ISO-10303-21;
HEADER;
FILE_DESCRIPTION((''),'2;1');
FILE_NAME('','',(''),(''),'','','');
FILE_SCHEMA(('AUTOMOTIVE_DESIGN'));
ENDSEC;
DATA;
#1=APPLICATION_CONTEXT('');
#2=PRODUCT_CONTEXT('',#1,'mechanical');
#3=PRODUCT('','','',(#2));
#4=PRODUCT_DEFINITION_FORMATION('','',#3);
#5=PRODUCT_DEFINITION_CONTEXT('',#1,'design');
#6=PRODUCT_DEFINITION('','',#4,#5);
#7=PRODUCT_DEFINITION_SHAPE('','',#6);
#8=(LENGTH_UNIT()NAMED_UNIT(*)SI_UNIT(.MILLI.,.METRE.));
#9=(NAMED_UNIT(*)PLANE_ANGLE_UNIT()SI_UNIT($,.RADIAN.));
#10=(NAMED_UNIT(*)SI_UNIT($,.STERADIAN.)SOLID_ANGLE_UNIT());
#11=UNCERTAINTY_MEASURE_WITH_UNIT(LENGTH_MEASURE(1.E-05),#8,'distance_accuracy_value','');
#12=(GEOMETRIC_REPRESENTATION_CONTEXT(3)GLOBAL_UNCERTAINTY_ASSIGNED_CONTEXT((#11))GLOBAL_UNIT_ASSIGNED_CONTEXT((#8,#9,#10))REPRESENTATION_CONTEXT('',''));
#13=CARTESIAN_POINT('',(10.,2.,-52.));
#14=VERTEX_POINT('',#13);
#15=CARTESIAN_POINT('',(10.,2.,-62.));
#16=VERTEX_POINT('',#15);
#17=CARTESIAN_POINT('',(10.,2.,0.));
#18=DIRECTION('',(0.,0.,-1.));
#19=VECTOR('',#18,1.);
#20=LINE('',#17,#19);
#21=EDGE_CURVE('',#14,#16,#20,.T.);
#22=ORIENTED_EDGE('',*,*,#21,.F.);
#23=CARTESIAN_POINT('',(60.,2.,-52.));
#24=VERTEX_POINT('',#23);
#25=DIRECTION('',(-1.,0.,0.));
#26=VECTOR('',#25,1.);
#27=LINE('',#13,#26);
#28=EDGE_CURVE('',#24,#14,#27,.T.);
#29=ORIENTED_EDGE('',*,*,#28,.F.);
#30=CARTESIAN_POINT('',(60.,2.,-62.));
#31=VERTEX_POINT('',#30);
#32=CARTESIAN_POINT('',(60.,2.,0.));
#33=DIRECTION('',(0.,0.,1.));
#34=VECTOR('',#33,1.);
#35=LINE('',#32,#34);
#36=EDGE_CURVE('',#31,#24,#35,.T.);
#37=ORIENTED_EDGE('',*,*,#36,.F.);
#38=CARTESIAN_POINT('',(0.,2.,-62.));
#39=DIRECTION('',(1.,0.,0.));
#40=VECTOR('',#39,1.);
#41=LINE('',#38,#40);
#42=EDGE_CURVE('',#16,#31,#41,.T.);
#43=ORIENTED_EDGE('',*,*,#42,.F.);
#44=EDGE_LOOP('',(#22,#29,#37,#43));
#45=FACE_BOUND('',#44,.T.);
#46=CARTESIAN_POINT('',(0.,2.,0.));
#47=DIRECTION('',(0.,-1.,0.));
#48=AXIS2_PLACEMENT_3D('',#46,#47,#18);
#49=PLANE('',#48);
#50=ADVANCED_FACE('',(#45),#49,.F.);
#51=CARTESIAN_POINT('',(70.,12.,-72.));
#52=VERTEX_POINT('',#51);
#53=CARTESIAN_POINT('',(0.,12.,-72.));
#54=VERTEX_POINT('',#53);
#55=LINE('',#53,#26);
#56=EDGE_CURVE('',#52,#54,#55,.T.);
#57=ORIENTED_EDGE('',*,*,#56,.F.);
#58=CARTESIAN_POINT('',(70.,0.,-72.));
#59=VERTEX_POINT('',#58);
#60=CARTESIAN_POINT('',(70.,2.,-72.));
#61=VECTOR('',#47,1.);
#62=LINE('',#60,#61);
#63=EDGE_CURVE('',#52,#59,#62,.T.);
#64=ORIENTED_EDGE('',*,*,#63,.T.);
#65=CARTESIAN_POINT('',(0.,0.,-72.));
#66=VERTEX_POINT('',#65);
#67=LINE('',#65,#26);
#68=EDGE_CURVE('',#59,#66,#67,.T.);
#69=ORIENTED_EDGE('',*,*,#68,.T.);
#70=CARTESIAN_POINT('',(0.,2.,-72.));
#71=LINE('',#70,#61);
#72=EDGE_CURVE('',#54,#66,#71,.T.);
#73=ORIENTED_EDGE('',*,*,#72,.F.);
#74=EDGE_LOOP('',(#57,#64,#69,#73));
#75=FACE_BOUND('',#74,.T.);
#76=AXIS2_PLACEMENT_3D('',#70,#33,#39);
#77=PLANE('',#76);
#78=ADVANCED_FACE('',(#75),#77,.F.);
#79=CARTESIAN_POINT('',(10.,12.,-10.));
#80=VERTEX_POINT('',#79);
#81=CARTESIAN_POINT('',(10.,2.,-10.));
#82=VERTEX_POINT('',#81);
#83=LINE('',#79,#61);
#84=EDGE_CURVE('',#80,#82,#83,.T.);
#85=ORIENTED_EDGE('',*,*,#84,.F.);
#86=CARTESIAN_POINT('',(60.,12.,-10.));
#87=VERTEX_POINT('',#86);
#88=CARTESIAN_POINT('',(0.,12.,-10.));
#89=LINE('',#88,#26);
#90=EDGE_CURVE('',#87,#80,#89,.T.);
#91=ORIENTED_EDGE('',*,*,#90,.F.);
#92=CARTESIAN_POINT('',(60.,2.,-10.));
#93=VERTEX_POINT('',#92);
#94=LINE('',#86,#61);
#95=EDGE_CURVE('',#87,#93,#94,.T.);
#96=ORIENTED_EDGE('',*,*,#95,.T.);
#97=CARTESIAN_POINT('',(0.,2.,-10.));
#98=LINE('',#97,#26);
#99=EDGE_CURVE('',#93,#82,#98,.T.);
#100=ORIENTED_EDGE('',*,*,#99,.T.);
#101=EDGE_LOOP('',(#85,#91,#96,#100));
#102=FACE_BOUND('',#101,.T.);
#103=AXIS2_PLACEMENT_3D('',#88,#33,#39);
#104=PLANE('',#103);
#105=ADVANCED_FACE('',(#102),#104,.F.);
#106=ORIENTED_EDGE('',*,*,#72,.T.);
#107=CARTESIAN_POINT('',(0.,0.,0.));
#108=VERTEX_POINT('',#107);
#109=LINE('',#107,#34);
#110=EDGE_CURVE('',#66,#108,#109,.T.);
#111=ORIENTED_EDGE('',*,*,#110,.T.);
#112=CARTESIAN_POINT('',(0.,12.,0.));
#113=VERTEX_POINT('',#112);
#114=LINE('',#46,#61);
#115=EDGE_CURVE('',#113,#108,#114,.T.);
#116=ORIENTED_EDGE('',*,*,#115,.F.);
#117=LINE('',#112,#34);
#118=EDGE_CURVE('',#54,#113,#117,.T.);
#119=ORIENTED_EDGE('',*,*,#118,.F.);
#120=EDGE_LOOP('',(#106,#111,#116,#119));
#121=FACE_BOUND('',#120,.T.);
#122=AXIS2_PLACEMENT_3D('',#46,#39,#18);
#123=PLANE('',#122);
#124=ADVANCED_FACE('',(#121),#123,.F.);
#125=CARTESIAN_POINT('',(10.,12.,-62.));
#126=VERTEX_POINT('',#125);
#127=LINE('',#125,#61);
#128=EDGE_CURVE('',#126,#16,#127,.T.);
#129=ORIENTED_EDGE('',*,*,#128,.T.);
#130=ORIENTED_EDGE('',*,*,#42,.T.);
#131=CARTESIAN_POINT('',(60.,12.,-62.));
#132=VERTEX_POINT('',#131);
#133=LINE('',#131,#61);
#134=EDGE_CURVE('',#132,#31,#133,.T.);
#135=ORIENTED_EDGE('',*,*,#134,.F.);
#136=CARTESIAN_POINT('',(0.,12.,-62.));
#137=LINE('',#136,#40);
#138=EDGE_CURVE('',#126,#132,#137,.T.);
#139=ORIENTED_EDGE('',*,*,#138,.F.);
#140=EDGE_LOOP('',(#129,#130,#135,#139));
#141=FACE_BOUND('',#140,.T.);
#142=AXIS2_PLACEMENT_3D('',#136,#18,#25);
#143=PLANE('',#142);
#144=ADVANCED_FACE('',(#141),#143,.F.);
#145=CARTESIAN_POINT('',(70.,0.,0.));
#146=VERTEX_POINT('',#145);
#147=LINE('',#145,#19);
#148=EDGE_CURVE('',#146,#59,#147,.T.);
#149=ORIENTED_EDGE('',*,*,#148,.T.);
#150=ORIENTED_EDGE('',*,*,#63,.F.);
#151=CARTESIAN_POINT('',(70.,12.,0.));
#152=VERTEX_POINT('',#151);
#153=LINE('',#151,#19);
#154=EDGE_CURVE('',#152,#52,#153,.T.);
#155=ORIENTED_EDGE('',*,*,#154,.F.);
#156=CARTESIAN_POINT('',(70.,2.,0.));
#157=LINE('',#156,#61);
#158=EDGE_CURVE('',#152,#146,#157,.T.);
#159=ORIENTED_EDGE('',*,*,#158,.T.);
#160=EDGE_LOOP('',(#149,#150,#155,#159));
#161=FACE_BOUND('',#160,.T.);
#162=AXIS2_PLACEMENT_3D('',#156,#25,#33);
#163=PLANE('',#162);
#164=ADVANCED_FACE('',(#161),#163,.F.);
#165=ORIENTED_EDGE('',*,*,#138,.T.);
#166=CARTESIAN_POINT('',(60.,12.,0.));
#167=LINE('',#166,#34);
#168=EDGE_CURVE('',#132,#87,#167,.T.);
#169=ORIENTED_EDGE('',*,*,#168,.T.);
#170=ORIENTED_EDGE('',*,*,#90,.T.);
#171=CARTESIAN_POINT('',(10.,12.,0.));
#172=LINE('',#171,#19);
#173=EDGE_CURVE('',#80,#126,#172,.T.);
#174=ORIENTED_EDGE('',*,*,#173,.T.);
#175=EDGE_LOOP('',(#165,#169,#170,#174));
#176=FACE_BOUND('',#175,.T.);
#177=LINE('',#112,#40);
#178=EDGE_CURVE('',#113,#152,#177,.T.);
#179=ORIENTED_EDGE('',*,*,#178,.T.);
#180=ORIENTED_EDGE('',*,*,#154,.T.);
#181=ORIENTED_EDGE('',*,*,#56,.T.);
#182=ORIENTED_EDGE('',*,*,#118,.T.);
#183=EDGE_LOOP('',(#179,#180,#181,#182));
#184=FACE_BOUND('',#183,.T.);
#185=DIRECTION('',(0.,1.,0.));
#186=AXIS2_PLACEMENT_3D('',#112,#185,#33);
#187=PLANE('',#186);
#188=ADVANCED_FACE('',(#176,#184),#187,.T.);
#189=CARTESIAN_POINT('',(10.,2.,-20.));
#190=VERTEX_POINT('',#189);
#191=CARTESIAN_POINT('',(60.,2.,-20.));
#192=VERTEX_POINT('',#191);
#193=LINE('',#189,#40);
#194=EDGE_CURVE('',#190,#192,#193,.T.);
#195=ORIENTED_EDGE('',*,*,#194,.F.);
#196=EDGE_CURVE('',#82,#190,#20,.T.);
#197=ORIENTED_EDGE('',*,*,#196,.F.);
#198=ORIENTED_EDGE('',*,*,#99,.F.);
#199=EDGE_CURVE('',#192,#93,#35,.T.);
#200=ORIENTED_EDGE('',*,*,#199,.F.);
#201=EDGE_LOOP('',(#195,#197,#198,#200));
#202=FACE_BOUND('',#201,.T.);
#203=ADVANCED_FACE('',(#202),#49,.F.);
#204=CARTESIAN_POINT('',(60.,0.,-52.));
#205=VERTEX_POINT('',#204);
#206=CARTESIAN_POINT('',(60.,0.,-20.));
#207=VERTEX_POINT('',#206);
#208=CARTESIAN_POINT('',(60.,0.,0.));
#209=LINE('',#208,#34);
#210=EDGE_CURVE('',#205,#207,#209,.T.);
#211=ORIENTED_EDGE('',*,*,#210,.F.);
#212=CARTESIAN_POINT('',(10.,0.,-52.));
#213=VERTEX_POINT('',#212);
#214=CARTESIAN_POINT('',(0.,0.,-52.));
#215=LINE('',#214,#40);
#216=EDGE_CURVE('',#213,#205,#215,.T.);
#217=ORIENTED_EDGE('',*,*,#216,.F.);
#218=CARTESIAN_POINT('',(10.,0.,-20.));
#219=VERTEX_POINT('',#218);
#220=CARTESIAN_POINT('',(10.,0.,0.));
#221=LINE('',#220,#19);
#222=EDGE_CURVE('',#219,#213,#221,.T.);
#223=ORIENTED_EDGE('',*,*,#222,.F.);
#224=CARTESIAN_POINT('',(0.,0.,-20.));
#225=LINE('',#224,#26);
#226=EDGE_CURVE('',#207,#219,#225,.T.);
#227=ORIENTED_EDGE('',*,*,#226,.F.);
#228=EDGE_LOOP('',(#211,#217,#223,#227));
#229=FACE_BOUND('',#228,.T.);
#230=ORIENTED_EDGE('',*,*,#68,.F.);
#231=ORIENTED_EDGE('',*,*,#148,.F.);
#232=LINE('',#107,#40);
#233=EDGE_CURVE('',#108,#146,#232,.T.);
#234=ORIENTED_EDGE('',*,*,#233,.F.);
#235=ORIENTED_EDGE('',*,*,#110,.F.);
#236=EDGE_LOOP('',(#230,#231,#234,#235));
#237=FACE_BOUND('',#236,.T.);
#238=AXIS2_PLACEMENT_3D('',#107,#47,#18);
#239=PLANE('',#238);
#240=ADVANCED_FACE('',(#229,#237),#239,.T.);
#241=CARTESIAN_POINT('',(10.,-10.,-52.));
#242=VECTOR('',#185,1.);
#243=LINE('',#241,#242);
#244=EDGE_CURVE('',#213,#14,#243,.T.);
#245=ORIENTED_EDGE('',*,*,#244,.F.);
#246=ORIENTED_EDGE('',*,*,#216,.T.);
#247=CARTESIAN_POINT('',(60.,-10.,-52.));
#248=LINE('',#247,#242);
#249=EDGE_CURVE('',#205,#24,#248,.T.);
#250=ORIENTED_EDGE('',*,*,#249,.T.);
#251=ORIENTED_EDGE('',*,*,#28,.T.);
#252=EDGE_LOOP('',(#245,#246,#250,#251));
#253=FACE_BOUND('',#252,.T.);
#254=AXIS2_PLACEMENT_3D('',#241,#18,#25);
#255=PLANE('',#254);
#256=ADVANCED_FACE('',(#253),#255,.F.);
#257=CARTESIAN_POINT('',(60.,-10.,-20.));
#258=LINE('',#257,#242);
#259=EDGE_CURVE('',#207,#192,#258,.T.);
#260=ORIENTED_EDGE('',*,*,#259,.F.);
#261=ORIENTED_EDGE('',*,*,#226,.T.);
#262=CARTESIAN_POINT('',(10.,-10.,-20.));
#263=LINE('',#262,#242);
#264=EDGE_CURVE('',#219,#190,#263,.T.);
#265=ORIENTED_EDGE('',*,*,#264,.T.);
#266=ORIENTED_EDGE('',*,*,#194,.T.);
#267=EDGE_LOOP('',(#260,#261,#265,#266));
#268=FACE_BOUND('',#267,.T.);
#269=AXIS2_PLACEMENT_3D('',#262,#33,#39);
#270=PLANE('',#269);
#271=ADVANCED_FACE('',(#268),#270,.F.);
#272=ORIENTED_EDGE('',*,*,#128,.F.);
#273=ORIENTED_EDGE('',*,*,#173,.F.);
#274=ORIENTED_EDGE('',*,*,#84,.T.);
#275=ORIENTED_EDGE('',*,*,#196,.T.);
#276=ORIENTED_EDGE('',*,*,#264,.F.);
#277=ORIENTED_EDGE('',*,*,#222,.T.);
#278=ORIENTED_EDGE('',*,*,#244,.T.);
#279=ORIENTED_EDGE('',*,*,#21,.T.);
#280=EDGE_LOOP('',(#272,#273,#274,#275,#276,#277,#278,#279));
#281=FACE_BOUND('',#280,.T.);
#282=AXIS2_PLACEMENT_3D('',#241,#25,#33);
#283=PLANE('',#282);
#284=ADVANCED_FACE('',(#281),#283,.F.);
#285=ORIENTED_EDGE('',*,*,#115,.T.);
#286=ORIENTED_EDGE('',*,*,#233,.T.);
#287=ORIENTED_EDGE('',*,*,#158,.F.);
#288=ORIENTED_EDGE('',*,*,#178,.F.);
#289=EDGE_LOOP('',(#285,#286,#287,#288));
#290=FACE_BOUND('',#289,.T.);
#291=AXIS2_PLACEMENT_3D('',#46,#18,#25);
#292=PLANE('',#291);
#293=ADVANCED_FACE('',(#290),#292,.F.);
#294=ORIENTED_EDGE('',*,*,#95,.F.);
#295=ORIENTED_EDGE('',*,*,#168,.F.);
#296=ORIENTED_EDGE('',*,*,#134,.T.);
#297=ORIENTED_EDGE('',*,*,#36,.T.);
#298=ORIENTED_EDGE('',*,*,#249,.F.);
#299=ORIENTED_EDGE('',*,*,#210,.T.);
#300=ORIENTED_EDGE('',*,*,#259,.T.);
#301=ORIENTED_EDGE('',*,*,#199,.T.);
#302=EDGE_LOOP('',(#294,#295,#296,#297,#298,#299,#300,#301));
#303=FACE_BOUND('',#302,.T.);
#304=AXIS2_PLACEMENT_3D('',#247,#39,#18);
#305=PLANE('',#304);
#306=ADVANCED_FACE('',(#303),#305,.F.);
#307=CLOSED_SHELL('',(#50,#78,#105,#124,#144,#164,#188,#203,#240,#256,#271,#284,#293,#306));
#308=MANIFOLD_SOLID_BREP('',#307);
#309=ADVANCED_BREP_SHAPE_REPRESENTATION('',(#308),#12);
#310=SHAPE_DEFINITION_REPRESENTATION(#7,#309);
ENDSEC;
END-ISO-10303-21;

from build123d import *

# Parameters (mm, degrees)
SKETCH1_W           = 70
SKETCH1_H           = 72
BOSS_EXTRUDE1_DEPTH = 2
SKETCH2_W           = 50
SKETCH2_H           = 32
CUT_EXTRUDE1_DEPTH  = 12
SKETCH3_W           = 10
SKETCH3_H           = 52
SKETCH3_H_2         = 10
SKETCH3_W_2         = 50
BOSS_EXTRUDE2_DEPTH = 10


with BuildPart() as part:
    # Sketch1 → Boss-Extrude1 (new body)
    with BuildSketch(Plane(origin=(0, 0, 0), x_dir=(1, 0, 0), z_dir=(0, 1, 0))):
        with Locations((35, 36)):
            Rectangle(SKETCH1_W, SKETCH1_H)
    extrude(amount=BOSS_EXTRUDE1_DEPTH)

    # Sketch2 → Cut-Extrude1 (cut)
    with BuildSketch(Plane(origin=(0, 2, 0), x_dir=(1, 0, 0), z_dir=(0, 1, 0))):
        with Locations((35, 36)):
            Rectangle(SKETCH2_W, SKETCH2_H)
    extrude(amount=-CUT_EXTRUDE1_DEPTH, mode=Mode.SUBTRACT)

    # Sketch3 → Boss-Extrude2 (add)
    with BuildSketch(Plane(origin=(0, 2, 0), x_dir=(1, 0, 0), z_dir=(0, 1, 0))):
        with Locations((5, 36)):
            Rectangle(SKETCH3_W, SKETCH3_H)
        with Locations((5, 67)):
            Rectangle(SKETCH3_W, SKETCH3_H_2)
        with Locations((35, 67)):
            Rectangle(SKETCH3_W_2, SKETCH3_H_2)
        with Locations((5, 5)):
            Rectangle(SKETCH3_W, SKETCH3_H_2)
        with Locations((35, 5)):
            Rectangle(SKETCH3_W_2, SKETCH3_H_2)
        with Locations((65, 5)):
            Rectangle(SKETCH3_W, SKETCH3_H_2)
        with Locations((65, 36)):
            Rectangle(SKETCH3_W, SKETCH3_H)
        with Locations((65, 67)):
            Rectangle(SKETCH3_W, SKETCH3_H_2)
    extrude(amount=BOSS_EXTRUDE2_DEPTH)


solid = part.part
